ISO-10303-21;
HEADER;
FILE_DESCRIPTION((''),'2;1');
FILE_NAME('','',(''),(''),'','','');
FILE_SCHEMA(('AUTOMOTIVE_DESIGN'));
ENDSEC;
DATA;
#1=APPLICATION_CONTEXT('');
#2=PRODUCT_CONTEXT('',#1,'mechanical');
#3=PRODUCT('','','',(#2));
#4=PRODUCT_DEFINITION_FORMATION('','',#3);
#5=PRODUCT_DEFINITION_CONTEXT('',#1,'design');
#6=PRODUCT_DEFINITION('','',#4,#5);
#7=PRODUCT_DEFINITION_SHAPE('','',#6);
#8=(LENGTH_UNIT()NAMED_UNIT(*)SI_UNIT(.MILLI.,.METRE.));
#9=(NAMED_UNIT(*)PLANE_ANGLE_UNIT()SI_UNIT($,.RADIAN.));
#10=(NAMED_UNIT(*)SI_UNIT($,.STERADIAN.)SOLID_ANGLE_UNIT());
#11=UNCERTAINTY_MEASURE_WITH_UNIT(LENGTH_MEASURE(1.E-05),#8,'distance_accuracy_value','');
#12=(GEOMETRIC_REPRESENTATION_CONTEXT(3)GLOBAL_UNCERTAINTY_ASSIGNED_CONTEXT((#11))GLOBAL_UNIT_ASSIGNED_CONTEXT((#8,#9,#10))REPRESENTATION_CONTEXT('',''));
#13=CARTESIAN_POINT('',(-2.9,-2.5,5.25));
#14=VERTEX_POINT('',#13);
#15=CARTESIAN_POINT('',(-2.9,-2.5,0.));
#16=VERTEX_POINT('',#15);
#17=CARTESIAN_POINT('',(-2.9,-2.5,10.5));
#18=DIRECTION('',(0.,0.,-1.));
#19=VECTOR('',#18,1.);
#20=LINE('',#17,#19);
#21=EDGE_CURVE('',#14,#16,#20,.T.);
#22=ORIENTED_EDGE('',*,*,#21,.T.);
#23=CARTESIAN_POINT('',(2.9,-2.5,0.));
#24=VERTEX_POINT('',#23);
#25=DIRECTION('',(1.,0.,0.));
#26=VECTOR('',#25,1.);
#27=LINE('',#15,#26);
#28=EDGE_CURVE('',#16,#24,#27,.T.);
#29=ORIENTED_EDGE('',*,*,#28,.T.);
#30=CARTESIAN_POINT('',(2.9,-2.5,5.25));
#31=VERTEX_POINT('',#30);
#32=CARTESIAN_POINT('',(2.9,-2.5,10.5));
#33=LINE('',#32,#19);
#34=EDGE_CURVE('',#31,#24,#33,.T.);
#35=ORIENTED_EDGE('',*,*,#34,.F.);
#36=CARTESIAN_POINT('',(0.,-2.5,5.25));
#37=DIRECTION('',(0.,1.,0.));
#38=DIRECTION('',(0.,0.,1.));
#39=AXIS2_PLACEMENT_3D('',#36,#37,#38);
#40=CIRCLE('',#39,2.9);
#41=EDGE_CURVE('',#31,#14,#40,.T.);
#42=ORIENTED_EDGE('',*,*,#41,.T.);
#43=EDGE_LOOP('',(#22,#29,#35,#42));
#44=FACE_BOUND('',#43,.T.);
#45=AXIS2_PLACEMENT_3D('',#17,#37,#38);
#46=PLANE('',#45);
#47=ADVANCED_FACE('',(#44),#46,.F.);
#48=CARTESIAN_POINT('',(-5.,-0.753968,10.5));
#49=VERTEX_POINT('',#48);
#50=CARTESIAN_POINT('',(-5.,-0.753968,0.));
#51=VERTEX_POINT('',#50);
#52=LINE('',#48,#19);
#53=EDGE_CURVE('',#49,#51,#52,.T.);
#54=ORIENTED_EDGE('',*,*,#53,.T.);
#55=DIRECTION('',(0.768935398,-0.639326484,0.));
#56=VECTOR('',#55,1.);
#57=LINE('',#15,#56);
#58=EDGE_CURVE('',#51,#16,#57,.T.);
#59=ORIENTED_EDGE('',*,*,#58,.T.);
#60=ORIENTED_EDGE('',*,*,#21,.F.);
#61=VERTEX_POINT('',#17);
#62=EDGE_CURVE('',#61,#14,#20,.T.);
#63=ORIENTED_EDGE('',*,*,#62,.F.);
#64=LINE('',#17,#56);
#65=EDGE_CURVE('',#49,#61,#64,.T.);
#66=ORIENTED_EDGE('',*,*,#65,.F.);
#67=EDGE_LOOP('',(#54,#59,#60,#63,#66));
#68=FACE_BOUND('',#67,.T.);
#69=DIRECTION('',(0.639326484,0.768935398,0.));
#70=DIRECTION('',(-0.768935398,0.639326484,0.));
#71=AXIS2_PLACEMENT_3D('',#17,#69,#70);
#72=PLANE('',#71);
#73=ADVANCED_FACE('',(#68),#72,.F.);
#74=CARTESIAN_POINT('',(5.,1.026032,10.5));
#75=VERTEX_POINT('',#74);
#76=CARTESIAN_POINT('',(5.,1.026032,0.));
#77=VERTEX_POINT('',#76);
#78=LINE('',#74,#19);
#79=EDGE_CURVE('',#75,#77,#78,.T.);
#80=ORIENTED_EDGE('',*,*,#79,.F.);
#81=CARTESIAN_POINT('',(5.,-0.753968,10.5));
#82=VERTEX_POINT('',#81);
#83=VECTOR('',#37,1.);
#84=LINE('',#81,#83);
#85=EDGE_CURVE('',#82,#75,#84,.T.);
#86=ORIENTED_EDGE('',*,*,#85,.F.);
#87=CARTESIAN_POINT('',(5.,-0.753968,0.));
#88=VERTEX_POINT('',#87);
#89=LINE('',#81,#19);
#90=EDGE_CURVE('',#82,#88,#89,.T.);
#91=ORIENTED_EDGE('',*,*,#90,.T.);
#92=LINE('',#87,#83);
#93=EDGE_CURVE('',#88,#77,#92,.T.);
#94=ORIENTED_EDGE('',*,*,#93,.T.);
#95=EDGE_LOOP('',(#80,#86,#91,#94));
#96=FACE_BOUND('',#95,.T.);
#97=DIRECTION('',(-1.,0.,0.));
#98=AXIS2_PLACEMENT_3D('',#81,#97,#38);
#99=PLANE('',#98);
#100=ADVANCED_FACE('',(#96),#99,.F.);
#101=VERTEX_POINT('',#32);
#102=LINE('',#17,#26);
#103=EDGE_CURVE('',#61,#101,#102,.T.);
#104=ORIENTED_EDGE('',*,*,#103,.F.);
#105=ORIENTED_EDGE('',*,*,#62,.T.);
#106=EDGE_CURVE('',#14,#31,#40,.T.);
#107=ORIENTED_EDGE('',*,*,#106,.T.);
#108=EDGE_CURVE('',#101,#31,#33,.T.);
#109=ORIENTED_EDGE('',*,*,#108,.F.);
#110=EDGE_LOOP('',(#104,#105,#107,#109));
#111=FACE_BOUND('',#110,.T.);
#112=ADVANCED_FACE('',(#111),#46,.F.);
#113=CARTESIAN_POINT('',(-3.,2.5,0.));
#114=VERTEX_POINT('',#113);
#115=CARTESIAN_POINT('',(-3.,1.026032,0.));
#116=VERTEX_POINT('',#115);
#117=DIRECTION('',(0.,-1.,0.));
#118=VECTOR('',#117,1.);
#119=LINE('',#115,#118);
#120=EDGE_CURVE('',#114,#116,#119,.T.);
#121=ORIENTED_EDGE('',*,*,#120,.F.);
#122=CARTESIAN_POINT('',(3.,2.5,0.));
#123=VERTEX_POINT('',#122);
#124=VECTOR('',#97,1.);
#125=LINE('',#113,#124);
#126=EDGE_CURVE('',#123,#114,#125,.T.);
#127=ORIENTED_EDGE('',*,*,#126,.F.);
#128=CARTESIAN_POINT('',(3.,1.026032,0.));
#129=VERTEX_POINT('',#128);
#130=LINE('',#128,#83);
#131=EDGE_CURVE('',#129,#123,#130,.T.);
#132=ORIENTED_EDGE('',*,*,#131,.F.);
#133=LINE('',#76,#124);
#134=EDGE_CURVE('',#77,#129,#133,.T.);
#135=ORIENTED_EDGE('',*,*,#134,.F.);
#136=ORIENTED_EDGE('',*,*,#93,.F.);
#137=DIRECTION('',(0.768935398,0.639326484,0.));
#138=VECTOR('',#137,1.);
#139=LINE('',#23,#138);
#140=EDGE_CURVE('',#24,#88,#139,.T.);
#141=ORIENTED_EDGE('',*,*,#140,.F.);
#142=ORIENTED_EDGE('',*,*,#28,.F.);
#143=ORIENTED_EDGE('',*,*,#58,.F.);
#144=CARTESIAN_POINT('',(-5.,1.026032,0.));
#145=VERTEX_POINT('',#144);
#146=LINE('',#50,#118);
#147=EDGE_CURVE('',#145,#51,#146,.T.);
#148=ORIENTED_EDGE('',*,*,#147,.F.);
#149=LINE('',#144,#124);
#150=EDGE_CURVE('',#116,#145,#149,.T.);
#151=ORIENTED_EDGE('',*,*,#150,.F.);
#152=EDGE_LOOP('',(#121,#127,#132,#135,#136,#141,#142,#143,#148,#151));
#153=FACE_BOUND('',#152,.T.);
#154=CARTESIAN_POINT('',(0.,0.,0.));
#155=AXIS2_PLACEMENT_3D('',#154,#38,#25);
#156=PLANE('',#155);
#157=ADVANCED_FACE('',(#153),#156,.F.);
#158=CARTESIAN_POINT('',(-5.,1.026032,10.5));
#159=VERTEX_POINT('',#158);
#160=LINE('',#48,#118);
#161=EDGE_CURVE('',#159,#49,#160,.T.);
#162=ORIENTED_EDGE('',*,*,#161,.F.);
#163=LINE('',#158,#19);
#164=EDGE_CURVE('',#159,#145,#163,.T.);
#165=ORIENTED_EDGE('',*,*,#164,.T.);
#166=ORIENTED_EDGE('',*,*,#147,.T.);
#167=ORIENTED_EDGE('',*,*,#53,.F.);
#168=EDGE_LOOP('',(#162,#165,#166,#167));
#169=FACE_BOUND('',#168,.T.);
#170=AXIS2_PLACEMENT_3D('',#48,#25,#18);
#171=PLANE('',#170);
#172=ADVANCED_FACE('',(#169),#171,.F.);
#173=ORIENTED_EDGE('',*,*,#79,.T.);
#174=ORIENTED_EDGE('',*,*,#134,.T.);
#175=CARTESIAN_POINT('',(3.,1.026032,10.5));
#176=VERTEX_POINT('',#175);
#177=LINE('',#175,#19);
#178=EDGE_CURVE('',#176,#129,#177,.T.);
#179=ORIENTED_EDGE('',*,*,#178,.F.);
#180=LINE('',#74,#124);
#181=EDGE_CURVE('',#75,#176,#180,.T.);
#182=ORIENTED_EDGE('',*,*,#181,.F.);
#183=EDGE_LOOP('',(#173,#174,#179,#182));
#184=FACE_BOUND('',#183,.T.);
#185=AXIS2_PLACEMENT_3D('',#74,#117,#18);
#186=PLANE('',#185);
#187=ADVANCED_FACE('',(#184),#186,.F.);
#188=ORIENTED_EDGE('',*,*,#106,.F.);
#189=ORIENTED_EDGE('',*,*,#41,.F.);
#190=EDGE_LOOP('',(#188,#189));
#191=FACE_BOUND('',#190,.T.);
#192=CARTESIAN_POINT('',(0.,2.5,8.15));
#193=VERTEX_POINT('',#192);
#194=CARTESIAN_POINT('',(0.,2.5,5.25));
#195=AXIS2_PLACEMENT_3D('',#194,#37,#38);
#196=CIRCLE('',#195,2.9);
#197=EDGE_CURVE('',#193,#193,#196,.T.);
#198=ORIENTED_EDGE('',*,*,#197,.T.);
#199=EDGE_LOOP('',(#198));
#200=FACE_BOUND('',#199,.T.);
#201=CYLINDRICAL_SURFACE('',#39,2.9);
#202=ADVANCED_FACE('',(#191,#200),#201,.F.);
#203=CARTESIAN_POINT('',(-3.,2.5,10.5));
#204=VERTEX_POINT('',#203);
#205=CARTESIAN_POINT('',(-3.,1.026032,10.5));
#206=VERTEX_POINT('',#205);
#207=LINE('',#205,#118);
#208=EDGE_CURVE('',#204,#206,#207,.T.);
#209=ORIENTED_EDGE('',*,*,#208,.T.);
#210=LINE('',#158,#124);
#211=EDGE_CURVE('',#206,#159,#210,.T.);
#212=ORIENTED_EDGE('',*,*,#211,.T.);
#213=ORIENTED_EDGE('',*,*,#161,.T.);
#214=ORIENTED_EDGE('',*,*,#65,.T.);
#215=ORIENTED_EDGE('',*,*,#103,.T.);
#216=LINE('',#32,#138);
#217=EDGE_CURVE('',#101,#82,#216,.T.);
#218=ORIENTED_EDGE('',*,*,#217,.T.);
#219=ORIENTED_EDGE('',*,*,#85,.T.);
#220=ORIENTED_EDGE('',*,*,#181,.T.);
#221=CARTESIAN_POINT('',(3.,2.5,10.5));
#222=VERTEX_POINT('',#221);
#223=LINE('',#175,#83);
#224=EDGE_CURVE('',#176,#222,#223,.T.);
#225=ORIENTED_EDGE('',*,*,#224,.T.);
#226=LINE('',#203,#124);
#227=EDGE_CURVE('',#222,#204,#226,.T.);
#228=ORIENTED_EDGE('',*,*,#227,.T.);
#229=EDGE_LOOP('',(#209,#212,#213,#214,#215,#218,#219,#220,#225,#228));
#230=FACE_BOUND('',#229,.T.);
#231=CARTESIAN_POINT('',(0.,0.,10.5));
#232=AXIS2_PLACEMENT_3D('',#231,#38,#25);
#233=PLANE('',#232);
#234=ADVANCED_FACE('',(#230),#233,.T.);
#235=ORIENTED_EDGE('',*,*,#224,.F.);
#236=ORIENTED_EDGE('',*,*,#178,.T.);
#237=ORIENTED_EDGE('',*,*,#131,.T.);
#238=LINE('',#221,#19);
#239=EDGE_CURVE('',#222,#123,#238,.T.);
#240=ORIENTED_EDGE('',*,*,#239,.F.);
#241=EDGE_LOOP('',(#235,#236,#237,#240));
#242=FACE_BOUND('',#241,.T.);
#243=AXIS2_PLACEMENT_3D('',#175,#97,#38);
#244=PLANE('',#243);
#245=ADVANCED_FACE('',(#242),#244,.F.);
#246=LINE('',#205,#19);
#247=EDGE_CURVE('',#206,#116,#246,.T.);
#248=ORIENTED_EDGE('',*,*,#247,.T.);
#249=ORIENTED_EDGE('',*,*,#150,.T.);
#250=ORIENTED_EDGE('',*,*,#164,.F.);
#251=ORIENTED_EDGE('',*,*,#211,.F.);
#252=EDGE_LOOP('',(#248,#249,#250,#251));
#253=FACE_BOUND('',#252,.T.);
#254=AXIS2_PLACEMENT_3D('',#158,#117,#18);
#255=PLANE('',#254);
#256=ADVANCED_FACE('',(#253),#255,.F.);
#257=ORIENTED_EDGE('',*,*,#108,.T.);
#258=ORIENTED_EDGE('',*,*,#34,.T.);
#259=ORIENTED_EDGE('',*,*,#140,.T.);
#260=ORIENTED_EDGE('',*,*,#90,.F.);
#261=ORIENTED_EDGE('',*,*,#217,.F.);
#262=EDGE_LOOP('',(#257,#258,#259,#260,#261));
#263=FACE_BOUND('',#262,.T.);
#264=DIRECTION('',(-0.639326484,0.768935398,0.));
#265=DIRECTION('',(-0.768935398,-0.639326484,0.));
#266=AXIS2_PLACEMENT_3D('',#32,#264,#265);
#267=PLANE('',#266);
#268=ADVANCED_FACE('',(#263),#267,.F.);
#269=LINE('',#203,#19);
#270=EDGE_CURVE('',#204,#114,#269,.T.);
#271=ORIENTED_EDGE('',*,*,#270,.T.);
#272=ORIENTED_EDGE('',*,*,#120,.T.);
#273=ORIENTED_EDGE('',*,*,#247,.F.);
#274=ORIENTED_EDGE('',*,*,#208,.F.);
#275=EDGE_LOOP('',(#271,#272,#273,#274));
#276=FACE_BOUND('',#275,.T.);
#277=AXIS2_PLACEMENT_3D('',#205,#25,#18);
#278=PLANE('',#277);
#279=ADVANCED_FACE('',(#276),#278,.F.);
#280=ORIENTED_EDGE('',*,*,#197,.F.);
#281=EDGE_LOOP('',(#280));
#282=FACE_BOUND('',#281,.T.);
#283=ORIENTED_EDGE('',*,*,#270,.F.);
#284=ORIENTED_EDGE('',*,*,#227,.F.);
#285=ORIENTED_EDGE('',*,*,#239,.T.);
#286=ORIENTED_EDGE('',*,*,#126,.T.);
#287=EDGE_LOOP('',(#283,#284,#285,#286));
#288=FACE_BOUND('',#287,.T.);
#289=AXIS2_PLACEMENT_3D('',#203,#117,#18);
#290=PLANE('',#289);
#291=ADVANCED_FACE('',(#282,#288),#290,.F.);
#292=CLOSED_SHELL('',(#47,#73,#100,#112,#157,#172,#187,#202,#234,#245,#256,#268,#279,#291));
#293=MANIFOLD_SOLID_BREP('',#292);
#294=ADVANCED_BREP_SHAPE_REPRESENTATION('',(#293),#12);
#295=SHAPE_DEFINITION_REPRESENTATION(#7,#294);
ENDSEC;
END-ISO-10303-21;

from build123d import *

# Parameters (mm, degrees)
BOSS_EXTRUDE1_DEPTH = 10.5
SKETCH2_R           = 2.9
CUT_EXTRUDE1_DEPTH  = 13.658988901


with BuildPart() as part:
    # Sketch1 → Boss-Extrude1 (new body)
    with BuildSketch(Plane.XY):
        Polygon((-2.9, -2.5), (2.9, -2.5), (5, -0.753968254), (5, 1.026031746), (3, 1.026031746), (3, 2.5), (-3, 2.5), (-3, 1.026031746), (-5, 1.026031746), (-5, -0.753968254), align=None)
    extrude(amount=BOSS_EXTRUDE1_DEPTH)

    # Sketch2 → Cut-Extrude1 (cut, through all)
    with BuildSketch(Plane(origin=(0, 2.5, 0), x_dir=(1, 0, 0), z_dir=(0, 1, 0))):
        with Locations(Location((0, -5.25, 0), (0, 0, 270))):
            Circle(SKETCH2_R)
    extrude(amount=-CUT_EXTRUDE1_DEPTH, mode=Mode.SUBTRACT)


solid = part.part
